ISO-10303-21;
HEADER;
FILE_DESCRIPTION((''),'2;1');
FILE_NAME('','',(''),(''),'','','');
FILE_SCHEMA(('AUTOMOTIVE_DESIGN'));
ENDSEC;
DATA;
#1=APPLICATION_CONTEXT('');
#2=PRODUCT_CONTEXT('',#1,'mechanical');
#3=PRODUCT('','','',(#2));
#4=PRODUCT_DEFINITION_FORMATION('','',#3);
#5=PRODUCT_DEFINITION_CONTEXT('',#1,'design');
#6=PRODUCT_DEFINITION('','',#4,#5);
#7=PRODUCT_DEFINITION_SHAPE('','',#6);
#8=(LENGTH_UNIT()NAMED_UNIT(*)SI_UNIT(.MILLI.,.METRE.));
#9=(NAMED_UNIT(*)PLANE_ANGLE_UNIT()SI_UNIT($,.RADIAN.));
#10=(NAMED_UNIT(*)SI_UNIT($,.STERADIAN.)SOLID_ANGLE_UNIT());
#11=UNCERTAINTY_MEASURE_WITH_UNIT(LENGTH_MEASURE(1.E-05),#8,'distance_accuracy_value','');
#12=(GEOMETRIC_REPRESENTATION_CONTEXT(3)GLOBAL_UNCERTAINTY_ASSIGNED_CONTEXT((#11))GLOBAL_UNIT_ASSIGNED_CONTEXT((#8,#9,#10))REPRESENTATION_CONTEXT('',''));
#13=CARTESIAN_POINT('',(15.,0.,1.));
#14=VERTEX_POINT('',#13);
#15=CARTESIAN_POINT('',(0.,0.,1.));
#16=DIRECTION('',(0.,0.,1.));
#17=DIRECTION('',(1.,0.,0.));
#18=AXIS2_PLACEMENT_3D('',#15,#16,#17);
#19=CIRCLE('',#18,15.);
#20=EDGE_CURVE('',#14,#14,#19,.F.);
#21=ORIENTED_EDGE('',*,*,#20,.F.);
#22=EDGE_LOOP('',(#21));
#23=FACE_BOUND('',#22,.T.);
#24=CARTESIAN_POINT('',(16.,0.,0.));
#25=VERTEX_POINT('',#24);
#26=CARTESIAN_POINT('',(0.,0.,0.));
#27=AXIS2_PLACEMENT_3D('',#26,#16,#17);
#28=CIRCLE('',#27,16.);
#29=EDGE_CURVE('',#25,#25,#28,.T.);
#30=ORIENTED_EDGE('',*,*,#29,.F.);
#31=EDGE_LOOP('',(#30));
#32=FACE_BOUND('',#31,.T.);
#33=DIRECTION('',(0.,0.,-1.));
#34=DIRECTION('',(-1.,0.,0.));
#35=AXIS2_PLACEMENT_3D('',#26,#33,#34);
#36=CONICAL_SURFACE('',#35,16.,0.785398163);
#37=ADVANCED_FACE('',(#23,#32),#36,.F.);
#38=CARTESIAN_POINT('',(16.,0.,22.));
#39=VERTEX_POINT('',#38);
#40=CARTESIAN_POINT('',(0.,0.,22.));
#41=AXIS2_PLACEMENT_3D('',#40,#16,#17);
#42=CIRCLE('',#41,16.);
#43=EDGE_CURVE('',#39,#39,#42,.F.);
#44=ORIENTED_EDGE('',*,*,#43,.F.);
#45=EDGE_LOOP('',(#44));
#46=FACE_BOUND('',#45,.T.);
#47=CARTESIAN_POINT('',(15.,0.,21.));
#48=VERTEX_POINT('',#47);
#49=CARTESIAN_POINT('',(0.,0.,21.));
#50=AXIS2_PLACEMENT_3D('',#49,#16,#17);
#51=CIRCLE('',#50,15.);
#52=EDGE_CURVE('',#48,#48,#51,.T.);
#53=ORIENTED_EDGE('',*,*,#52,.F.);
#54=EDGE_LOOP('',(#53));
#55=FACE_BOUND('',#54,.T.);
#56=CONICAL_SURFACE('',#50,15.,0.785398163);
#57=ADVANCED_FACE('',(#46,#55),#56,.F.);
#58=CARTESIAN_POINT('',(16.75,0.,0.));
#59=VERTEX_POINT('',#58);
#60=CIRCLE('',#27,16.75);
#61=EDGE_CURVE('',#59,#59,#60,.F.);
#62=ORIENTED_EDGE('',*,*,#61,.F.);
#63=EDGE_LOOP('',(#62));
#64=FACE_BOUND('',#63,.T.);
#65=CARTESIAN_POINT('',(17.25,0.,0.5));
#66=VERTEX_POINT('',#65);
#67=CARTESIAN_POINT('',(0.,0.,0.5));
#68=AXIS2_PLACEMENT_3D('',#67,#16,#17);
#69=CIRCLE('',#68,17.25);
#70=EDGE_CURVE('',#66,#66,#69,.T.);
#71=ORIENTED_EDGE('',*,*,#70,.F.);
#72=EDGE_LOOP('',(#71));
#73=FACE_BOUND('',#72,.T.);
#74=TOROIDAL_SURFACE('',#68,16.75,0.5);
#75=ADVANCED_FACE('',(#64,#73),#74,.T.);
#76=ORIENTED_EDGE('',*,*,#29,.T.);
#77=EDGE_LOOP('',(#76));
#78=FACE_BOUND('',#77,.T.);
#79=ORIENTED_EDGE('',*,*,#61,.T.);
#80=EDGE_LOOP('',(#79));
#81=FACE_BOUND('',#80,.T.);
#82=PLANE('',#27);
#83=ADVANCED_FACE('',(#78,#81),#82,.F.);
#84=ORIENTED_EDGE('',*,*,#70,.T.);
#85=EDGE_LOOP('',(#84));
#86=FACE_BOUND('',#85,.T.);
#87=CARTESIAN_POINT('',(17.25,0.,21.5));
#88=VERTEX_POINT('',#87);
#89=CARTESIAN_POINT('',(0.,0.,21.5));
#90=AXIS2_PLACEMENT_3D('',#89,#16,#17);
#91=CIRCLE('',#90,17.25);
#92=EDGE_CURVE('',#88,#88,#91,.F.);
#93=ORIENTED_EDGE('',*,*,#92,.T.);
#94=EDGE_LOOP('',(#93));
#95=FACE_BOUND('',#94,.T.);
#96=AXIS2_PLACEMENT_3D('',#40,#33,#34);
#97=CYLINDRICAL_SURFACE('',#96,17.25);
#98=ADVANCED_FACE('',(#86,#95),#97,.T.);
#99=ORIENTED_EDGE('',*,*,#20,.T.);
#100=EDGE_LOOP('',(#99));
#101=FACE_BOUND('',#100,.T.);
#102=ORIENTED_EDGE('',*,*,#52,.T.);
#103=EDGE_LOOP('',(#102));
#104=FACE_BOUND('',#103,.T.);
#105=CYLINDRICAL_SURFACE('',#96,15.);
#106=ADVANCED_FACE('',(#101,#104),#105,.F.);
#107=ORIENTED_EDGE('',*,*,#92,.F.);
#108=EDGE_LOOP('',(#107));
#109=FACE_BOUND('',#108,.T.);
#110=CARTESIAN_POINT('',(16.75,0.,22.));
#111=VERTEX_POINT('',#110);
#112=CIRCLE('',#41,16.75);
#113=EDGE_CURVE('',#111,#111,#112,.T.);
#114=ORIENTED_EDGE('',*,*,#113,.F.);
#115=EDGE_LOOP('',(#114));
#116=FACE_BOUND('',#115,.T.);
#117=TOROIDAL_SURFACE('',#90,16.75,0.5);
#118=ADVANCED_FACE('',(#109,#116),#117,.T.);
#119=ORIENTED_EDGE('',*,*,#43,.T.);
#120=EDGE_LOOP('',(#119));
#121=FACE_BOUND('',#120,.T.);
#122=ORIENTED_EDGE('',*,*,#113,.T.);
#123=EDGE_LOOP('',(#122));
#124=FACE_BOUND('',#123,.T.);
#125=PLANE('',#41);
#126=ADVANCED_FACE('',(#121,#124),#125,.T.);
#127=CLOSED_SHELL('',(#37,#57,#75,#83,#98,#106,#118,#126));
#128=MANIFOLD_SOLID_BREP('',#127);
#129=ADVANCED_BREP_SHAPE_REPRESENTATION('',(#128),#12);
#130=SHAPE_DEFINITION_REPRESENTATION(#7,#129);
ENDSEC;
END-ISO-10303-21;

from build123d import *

# Parameters (mm, degrees)
ESQUISSE1_R          = 17.25
ESQUISSE1_R_2        = 15
BASE_EXTRUSION_DEPTH = 22
CONG_1_R             = 0.5
CHANFREIN1_SIZE      = 1


with BuildPart() as part:
    # Esquisse1 → Base-Extrusion (new body)
    with BuildSketch(Plane.XY):
        Circle(ESQUISSE1_R)
        Circle(ESQUISSE1_R_2, mode=Mode.SUBTRACT)
    extrude(amount=BASE_EXTRUSION_DEPTH)

    # Congé1
    cong_1_edges = [part.edges().sort_by_distance(p)[0] for p in [
        (-17.25, 0, 0),
        (-17.25, 0, 22),
    ]]
    fillet(cong_1_edges, radius=CONG_1_R)

    # Chanfrein1
    chanfrein1_edges = [part.edges().sort_by_distance(p)[0] for p in [
        (-15, 0, 0),
        (-15, 0, 22),
    ]]
    chamfer(chanfrein1_edges, length=CHANFREIN1_SIZE)


solid = part.part
